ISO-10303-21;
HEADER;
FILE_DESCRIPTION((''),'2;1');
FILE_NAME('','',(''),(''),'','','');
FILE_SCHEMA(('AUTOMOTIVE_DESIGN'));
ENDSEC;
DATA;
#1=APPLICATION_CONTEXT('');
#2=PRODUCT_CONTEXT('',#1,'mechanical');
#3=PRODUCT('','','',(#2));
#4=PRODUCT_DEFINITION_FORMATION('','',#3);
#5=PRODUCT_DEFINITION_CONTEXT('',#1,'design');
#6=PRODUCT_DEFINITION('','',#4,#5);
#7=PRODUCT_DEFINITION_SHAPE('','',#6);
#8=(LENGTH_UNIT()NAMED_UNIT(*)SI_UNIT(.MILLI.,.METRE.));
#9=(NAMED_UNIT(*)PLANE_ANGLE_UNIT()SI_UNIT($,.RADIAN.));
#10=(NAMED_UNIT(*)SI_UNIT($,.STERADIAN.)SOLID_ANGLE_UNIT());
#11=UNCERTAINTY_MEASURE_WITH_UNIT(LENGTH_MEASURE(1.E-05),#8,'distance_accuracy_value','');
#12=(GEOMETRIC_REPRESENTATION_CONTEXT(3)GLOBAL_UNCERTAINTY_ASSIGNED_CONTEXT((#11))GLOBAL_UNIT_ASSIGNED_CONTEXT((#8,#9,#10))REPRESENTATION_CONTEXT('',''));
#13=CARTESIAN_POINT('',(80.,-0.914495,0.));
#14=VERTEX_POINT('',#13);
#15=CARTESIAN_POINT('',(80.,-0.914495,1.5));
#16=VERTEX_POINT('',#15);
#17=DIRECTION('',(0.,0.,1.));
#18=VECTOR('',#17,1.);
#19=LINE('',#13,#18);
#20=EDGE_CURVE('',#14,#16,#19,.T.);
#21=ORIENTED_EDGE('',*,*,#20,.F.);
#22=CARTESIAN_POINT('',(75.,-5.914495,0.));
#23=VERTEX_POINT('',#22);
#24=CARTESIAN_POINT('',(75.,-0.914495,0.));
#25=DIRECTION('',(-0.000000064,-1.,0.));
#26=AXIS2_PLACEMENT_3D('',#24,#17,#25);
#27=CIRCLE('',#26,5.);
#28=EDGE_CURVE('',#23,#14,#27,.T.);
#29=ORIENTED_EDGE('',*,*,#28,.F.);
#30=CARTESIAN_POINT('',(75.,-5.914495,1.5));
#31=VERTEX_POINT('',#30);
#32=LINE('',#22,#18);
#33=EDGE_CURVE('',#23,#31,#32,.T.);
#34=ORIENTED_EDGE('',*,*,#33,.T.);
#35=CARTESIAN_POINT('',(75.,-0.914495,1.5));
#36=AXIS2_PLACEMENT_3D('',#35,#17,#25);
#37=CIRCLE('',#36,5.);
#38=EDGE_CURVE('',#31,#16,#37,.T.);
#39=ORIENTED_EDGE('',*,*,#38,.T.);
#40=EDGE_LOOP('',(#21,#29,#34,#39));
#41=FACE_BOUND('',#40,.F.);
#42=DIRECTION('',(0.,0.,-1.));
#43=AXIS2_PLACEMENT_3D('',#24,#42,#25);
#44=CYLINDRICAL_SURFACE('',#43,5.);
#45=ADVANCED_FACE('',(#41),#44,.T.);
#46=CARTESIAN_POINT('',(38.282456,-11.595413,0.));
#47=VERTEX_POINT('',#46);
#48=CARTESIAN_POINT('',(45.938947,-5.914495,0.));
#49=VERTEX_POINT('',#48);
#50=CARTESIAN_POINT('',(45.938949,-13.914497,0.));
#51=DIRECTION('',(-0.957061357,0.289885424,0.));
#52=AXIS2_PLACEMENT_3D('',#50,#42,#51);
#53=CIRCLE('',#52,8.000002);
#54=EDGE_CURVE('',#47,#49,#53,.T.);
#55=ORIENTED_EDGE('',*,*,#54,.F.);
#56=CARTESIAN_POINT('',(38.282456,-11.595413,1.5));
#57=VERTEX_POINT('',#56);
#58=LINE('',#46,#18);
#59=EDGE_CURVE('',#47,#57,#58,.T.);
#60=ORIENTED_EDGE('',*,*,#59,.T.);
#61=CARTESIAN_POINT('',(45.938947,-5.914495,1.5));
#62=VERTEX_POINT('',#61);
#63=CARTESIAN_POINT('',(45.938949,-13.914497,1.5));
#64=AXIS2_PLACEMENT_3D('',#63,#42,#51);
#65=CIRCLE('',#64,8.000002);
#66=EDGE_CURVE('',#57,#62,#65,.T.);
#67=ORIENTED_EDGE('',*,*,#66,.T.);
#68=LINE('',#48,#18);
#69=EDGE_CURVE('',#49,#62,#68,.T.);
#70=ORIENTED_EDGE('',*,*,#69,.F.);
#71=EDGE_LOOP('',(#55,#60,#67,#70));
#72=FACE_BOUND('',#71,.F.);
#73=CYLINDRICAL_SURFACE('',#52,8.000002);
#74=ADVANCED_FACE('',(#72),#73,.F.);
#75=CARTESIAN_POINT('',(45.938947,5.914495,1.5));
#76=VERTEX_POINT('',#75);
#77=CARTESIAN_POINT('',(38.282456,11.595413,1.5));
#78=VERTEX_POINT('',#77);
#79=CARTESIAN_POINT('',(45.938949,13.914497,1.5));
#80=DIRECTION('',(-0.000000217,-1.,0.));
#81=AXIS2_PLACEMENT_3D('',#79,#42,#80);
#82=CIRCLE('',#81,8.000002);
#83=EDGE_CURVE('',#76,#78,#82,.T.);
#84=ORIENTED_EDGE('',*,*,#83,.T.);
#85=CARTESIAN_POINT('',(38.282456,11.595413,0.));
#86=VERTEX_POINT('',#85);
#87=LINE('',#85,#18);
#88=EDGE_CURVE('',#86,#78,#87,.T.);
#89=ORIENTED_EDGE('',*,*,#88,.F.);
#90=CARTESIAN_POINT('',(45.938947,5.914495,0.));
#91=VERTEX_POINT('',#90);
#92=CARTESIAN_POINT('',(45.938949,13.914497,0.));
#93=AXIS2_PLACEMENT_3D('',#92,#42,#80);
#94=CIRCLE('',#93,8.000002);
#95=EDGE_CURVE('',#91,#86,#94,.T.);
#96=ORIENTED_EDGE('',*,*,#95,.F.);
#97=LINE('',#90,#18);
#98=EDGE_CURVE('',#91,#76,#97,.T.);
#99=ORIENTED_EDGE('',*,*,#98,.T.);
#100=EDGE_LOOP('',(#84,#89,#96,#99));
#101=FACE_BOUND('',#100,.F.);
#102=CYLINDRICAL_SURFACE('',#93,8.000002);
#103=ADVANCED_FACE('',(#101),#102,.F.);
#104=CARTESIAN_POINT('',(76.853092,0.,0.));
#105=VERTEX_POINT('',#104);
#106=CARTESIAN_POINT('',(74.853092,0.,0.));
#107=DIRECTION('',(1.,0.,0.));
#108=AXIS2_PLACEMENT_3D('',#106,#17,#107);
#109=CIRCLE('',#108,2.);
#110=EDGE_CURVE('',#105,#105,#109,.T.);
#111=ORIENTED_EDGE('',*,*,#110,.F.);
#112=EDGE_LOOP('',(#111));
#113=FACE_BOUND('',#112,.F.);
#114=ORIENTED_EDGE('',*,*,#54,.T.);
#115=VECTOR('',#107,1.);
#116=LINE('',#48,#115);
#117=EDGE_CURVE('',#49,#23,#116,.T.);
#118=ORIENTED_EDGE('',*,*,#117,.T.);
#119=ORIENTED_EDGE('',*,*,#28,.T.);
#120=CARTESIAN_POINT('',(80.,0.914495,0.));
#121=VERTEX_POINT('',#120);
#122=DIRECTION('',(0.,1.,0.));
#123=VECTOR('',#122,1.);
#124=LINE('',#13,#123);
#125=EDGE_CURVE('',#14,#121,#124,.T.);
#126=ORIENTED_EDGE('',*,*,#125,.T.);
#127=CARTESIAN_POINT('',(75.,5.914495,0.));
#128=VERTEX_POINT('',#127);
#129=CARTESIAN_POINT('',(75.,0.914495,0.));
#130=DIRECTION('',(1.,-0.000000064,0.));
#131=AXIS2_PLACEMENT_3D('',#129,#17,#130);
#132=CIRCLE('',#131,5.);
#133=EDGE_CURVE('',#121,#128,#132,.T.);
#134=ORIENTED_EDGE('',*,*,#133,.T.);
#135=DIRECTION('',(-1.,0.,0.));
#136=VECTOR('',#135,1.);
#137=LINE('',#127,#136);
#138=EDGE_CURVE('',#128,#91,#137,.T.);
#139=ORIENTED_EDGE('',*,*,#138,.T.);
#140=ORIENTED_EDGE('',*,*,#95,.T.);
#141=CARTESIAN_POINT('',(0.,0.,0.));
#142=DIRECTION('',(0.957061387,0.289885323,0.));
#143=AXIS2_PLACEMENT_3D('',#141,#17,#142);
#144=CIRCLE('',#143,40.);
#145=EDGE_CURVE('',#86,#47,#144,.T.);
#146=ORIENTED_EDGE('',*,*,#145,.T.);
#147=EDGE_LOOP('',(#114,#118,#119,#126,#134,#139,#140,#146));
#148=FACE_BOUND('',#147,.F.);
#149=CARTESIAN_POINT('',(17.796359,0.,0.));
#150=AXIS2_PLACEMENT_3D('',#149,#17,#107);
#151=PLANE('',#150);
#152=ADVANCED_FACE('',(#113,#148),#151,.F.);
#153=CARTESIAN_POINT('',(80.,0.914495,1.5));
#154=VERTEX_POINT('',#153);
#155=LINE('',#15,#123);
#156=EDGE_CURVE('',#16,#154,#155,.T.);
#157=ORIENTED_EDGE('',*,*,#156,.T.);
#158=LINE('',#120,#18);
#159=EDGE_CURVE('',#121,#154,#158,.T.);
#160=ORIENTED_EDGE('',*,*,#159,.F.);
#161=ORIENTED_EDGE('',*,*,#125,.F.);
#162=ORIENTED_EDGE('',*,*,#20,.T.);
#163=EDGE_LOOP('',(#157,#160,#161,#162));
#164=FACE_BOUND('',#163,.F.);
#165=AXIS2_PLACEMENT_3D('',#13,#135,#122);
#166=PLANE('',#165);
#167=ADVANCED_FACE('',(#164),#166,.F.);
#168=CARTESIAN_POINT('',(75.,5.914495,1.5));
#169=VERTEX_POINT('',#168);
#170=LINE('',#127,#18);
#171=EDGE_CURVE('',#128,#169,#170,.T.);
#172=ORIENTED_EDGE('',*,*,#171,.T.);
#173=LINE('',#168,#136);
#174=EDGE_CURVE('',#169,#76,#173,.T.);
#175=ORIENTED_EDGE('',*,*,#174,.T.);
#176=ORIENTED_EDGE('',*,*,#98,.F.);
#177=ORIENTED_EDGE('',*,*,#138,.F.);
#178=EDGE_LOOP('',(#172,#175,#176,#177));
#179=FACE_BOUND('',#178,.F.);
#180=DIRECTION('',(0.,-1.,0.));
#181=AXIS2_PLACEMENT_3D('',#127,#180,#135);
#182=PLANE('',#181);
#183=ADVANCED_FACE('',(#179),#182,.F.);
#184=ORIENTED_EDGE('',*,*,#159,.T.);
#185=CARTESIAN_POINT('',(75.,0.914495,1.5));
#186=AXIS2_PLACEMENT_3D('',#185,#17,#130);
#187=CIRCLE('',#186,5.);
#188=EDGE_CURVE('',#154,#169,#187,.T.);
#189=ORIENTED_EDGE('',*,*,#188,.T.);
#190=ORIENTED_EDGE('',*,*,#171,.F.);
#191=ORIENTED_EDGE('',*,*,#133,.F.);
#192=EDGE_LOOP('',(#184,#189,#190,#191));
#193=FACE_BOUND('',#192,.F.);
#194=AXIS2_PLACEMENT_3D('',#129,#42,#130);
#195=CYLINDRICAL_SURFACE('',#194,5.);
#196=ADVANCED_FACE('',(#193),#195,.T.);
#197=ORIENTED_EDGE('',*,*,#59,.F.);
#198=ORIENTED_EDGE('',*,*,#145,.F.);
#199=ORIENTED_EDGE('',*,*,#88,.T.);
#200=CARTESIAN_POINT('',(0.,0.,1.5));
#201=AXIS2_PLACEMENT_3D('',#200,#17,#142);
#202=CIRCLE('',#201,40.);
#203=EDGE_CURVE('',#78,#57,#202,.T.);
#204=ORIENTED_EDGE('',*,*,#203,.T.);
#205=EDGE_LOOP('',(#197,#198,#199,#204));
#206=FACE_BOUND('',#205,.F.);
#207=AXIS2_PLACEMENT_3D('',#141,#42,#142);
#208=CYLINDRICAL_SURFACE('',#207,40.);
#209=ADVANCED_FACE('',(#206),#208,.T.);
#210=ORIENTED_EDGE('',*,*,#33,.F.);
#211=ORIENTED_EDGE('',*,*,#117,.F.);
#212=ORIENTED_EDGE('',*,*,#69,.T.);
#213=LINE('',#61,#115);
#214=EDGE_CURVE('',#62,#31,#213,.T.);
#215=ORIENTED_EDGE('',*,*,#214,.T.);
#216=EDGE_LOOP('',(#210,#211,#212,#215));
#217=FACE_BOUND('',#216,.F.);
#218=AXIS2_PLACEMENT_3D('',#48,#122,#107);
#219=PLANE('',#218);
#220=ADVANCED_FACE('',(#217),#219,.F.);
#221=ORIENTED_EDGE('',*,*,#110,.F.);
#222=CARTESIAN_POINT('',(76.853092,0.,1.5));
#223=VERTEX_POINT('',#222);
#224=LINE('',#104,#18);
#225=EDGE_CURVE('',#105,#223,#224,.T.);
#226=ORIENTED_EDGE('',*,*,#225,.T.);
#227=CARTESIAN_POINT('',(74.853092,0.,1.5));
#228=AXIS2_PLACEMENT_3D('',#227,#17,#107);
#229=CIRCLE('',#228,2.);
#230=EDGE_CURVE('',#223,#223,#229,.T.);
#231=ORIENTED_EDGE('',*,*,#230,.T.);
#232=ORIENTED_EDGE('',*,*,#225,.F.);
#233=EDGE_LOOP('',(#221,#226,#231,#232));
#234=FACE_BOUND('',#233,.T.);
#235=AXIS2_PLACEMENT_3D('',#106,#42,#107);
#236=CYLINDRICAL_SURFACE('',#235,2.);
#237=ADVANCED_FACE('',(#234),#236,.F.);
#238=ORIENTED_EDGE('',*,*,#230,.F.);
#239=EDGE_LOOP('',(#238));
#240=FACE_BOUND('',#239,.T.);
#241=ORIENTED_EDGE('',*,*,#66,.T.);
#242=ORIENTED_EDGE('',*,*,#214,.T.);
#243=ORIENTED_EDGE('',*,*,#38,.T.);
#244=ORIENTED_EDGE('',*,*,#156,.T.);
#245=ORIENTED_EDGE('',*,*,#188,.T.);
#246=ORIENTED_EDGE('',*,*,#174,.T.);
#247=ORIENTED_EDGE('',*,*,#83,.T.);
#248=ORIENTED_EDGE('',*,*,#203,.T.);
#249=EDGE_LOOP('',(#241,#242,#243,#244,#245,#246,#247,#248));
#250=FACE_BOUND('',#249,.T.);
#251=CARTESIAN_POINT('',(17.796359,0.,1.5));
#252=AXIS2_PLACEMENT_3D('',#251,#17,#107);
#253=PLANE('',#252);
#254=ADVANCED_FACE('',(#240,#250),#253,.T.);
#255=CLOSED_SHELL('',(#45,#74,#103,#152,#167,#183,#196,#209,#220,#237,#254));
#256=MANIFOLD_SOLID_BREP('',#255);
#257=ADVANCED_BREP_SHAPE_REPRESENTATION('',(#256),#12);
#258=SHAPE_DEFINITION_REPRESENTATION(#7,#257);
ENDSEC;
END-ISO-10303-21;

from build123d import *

# Parameters (mm, degrees)
F0_R     = 2
F1_DEPTH = 1.5


with BuildPart() as f1:
    # F0 (on Top) → F1 (new body)
    with BuildSketch(Plane.XY):
        with BuildLine():
            ThreePointArc((45.938947, 5.914495), (41.172012, 7.48983), (38.282456, 11.595413))
            ThreePointArc((38.282456, 11.595413), (-40, 0), (38.282456, -11.595413))
            ThreePointArc((38.282456, -11.595413), (41.172012, -7.48983), (45.938947, -5.914495))
            Line((45.938947, -5.914495), (75, -5.914495))
            ThreePointArc((75, -5.914495), (78.535534, -4.450029), (80, -0.914495))
            Line((80, -0.914495), (80, 0.914495))
            ThreePointArc((80, 0.914495), (78.535534, 4.450029), (75, 5.914495))
            Line((75, 5.914495), (45.938947, 5.914495))
        make_face()
        with Locations((74.853092, 0)):
            Circle(F0_R, mode=Mode.SUBTRACT)
    extrude(amount=F1_DEPTH)


solid = f1.part
